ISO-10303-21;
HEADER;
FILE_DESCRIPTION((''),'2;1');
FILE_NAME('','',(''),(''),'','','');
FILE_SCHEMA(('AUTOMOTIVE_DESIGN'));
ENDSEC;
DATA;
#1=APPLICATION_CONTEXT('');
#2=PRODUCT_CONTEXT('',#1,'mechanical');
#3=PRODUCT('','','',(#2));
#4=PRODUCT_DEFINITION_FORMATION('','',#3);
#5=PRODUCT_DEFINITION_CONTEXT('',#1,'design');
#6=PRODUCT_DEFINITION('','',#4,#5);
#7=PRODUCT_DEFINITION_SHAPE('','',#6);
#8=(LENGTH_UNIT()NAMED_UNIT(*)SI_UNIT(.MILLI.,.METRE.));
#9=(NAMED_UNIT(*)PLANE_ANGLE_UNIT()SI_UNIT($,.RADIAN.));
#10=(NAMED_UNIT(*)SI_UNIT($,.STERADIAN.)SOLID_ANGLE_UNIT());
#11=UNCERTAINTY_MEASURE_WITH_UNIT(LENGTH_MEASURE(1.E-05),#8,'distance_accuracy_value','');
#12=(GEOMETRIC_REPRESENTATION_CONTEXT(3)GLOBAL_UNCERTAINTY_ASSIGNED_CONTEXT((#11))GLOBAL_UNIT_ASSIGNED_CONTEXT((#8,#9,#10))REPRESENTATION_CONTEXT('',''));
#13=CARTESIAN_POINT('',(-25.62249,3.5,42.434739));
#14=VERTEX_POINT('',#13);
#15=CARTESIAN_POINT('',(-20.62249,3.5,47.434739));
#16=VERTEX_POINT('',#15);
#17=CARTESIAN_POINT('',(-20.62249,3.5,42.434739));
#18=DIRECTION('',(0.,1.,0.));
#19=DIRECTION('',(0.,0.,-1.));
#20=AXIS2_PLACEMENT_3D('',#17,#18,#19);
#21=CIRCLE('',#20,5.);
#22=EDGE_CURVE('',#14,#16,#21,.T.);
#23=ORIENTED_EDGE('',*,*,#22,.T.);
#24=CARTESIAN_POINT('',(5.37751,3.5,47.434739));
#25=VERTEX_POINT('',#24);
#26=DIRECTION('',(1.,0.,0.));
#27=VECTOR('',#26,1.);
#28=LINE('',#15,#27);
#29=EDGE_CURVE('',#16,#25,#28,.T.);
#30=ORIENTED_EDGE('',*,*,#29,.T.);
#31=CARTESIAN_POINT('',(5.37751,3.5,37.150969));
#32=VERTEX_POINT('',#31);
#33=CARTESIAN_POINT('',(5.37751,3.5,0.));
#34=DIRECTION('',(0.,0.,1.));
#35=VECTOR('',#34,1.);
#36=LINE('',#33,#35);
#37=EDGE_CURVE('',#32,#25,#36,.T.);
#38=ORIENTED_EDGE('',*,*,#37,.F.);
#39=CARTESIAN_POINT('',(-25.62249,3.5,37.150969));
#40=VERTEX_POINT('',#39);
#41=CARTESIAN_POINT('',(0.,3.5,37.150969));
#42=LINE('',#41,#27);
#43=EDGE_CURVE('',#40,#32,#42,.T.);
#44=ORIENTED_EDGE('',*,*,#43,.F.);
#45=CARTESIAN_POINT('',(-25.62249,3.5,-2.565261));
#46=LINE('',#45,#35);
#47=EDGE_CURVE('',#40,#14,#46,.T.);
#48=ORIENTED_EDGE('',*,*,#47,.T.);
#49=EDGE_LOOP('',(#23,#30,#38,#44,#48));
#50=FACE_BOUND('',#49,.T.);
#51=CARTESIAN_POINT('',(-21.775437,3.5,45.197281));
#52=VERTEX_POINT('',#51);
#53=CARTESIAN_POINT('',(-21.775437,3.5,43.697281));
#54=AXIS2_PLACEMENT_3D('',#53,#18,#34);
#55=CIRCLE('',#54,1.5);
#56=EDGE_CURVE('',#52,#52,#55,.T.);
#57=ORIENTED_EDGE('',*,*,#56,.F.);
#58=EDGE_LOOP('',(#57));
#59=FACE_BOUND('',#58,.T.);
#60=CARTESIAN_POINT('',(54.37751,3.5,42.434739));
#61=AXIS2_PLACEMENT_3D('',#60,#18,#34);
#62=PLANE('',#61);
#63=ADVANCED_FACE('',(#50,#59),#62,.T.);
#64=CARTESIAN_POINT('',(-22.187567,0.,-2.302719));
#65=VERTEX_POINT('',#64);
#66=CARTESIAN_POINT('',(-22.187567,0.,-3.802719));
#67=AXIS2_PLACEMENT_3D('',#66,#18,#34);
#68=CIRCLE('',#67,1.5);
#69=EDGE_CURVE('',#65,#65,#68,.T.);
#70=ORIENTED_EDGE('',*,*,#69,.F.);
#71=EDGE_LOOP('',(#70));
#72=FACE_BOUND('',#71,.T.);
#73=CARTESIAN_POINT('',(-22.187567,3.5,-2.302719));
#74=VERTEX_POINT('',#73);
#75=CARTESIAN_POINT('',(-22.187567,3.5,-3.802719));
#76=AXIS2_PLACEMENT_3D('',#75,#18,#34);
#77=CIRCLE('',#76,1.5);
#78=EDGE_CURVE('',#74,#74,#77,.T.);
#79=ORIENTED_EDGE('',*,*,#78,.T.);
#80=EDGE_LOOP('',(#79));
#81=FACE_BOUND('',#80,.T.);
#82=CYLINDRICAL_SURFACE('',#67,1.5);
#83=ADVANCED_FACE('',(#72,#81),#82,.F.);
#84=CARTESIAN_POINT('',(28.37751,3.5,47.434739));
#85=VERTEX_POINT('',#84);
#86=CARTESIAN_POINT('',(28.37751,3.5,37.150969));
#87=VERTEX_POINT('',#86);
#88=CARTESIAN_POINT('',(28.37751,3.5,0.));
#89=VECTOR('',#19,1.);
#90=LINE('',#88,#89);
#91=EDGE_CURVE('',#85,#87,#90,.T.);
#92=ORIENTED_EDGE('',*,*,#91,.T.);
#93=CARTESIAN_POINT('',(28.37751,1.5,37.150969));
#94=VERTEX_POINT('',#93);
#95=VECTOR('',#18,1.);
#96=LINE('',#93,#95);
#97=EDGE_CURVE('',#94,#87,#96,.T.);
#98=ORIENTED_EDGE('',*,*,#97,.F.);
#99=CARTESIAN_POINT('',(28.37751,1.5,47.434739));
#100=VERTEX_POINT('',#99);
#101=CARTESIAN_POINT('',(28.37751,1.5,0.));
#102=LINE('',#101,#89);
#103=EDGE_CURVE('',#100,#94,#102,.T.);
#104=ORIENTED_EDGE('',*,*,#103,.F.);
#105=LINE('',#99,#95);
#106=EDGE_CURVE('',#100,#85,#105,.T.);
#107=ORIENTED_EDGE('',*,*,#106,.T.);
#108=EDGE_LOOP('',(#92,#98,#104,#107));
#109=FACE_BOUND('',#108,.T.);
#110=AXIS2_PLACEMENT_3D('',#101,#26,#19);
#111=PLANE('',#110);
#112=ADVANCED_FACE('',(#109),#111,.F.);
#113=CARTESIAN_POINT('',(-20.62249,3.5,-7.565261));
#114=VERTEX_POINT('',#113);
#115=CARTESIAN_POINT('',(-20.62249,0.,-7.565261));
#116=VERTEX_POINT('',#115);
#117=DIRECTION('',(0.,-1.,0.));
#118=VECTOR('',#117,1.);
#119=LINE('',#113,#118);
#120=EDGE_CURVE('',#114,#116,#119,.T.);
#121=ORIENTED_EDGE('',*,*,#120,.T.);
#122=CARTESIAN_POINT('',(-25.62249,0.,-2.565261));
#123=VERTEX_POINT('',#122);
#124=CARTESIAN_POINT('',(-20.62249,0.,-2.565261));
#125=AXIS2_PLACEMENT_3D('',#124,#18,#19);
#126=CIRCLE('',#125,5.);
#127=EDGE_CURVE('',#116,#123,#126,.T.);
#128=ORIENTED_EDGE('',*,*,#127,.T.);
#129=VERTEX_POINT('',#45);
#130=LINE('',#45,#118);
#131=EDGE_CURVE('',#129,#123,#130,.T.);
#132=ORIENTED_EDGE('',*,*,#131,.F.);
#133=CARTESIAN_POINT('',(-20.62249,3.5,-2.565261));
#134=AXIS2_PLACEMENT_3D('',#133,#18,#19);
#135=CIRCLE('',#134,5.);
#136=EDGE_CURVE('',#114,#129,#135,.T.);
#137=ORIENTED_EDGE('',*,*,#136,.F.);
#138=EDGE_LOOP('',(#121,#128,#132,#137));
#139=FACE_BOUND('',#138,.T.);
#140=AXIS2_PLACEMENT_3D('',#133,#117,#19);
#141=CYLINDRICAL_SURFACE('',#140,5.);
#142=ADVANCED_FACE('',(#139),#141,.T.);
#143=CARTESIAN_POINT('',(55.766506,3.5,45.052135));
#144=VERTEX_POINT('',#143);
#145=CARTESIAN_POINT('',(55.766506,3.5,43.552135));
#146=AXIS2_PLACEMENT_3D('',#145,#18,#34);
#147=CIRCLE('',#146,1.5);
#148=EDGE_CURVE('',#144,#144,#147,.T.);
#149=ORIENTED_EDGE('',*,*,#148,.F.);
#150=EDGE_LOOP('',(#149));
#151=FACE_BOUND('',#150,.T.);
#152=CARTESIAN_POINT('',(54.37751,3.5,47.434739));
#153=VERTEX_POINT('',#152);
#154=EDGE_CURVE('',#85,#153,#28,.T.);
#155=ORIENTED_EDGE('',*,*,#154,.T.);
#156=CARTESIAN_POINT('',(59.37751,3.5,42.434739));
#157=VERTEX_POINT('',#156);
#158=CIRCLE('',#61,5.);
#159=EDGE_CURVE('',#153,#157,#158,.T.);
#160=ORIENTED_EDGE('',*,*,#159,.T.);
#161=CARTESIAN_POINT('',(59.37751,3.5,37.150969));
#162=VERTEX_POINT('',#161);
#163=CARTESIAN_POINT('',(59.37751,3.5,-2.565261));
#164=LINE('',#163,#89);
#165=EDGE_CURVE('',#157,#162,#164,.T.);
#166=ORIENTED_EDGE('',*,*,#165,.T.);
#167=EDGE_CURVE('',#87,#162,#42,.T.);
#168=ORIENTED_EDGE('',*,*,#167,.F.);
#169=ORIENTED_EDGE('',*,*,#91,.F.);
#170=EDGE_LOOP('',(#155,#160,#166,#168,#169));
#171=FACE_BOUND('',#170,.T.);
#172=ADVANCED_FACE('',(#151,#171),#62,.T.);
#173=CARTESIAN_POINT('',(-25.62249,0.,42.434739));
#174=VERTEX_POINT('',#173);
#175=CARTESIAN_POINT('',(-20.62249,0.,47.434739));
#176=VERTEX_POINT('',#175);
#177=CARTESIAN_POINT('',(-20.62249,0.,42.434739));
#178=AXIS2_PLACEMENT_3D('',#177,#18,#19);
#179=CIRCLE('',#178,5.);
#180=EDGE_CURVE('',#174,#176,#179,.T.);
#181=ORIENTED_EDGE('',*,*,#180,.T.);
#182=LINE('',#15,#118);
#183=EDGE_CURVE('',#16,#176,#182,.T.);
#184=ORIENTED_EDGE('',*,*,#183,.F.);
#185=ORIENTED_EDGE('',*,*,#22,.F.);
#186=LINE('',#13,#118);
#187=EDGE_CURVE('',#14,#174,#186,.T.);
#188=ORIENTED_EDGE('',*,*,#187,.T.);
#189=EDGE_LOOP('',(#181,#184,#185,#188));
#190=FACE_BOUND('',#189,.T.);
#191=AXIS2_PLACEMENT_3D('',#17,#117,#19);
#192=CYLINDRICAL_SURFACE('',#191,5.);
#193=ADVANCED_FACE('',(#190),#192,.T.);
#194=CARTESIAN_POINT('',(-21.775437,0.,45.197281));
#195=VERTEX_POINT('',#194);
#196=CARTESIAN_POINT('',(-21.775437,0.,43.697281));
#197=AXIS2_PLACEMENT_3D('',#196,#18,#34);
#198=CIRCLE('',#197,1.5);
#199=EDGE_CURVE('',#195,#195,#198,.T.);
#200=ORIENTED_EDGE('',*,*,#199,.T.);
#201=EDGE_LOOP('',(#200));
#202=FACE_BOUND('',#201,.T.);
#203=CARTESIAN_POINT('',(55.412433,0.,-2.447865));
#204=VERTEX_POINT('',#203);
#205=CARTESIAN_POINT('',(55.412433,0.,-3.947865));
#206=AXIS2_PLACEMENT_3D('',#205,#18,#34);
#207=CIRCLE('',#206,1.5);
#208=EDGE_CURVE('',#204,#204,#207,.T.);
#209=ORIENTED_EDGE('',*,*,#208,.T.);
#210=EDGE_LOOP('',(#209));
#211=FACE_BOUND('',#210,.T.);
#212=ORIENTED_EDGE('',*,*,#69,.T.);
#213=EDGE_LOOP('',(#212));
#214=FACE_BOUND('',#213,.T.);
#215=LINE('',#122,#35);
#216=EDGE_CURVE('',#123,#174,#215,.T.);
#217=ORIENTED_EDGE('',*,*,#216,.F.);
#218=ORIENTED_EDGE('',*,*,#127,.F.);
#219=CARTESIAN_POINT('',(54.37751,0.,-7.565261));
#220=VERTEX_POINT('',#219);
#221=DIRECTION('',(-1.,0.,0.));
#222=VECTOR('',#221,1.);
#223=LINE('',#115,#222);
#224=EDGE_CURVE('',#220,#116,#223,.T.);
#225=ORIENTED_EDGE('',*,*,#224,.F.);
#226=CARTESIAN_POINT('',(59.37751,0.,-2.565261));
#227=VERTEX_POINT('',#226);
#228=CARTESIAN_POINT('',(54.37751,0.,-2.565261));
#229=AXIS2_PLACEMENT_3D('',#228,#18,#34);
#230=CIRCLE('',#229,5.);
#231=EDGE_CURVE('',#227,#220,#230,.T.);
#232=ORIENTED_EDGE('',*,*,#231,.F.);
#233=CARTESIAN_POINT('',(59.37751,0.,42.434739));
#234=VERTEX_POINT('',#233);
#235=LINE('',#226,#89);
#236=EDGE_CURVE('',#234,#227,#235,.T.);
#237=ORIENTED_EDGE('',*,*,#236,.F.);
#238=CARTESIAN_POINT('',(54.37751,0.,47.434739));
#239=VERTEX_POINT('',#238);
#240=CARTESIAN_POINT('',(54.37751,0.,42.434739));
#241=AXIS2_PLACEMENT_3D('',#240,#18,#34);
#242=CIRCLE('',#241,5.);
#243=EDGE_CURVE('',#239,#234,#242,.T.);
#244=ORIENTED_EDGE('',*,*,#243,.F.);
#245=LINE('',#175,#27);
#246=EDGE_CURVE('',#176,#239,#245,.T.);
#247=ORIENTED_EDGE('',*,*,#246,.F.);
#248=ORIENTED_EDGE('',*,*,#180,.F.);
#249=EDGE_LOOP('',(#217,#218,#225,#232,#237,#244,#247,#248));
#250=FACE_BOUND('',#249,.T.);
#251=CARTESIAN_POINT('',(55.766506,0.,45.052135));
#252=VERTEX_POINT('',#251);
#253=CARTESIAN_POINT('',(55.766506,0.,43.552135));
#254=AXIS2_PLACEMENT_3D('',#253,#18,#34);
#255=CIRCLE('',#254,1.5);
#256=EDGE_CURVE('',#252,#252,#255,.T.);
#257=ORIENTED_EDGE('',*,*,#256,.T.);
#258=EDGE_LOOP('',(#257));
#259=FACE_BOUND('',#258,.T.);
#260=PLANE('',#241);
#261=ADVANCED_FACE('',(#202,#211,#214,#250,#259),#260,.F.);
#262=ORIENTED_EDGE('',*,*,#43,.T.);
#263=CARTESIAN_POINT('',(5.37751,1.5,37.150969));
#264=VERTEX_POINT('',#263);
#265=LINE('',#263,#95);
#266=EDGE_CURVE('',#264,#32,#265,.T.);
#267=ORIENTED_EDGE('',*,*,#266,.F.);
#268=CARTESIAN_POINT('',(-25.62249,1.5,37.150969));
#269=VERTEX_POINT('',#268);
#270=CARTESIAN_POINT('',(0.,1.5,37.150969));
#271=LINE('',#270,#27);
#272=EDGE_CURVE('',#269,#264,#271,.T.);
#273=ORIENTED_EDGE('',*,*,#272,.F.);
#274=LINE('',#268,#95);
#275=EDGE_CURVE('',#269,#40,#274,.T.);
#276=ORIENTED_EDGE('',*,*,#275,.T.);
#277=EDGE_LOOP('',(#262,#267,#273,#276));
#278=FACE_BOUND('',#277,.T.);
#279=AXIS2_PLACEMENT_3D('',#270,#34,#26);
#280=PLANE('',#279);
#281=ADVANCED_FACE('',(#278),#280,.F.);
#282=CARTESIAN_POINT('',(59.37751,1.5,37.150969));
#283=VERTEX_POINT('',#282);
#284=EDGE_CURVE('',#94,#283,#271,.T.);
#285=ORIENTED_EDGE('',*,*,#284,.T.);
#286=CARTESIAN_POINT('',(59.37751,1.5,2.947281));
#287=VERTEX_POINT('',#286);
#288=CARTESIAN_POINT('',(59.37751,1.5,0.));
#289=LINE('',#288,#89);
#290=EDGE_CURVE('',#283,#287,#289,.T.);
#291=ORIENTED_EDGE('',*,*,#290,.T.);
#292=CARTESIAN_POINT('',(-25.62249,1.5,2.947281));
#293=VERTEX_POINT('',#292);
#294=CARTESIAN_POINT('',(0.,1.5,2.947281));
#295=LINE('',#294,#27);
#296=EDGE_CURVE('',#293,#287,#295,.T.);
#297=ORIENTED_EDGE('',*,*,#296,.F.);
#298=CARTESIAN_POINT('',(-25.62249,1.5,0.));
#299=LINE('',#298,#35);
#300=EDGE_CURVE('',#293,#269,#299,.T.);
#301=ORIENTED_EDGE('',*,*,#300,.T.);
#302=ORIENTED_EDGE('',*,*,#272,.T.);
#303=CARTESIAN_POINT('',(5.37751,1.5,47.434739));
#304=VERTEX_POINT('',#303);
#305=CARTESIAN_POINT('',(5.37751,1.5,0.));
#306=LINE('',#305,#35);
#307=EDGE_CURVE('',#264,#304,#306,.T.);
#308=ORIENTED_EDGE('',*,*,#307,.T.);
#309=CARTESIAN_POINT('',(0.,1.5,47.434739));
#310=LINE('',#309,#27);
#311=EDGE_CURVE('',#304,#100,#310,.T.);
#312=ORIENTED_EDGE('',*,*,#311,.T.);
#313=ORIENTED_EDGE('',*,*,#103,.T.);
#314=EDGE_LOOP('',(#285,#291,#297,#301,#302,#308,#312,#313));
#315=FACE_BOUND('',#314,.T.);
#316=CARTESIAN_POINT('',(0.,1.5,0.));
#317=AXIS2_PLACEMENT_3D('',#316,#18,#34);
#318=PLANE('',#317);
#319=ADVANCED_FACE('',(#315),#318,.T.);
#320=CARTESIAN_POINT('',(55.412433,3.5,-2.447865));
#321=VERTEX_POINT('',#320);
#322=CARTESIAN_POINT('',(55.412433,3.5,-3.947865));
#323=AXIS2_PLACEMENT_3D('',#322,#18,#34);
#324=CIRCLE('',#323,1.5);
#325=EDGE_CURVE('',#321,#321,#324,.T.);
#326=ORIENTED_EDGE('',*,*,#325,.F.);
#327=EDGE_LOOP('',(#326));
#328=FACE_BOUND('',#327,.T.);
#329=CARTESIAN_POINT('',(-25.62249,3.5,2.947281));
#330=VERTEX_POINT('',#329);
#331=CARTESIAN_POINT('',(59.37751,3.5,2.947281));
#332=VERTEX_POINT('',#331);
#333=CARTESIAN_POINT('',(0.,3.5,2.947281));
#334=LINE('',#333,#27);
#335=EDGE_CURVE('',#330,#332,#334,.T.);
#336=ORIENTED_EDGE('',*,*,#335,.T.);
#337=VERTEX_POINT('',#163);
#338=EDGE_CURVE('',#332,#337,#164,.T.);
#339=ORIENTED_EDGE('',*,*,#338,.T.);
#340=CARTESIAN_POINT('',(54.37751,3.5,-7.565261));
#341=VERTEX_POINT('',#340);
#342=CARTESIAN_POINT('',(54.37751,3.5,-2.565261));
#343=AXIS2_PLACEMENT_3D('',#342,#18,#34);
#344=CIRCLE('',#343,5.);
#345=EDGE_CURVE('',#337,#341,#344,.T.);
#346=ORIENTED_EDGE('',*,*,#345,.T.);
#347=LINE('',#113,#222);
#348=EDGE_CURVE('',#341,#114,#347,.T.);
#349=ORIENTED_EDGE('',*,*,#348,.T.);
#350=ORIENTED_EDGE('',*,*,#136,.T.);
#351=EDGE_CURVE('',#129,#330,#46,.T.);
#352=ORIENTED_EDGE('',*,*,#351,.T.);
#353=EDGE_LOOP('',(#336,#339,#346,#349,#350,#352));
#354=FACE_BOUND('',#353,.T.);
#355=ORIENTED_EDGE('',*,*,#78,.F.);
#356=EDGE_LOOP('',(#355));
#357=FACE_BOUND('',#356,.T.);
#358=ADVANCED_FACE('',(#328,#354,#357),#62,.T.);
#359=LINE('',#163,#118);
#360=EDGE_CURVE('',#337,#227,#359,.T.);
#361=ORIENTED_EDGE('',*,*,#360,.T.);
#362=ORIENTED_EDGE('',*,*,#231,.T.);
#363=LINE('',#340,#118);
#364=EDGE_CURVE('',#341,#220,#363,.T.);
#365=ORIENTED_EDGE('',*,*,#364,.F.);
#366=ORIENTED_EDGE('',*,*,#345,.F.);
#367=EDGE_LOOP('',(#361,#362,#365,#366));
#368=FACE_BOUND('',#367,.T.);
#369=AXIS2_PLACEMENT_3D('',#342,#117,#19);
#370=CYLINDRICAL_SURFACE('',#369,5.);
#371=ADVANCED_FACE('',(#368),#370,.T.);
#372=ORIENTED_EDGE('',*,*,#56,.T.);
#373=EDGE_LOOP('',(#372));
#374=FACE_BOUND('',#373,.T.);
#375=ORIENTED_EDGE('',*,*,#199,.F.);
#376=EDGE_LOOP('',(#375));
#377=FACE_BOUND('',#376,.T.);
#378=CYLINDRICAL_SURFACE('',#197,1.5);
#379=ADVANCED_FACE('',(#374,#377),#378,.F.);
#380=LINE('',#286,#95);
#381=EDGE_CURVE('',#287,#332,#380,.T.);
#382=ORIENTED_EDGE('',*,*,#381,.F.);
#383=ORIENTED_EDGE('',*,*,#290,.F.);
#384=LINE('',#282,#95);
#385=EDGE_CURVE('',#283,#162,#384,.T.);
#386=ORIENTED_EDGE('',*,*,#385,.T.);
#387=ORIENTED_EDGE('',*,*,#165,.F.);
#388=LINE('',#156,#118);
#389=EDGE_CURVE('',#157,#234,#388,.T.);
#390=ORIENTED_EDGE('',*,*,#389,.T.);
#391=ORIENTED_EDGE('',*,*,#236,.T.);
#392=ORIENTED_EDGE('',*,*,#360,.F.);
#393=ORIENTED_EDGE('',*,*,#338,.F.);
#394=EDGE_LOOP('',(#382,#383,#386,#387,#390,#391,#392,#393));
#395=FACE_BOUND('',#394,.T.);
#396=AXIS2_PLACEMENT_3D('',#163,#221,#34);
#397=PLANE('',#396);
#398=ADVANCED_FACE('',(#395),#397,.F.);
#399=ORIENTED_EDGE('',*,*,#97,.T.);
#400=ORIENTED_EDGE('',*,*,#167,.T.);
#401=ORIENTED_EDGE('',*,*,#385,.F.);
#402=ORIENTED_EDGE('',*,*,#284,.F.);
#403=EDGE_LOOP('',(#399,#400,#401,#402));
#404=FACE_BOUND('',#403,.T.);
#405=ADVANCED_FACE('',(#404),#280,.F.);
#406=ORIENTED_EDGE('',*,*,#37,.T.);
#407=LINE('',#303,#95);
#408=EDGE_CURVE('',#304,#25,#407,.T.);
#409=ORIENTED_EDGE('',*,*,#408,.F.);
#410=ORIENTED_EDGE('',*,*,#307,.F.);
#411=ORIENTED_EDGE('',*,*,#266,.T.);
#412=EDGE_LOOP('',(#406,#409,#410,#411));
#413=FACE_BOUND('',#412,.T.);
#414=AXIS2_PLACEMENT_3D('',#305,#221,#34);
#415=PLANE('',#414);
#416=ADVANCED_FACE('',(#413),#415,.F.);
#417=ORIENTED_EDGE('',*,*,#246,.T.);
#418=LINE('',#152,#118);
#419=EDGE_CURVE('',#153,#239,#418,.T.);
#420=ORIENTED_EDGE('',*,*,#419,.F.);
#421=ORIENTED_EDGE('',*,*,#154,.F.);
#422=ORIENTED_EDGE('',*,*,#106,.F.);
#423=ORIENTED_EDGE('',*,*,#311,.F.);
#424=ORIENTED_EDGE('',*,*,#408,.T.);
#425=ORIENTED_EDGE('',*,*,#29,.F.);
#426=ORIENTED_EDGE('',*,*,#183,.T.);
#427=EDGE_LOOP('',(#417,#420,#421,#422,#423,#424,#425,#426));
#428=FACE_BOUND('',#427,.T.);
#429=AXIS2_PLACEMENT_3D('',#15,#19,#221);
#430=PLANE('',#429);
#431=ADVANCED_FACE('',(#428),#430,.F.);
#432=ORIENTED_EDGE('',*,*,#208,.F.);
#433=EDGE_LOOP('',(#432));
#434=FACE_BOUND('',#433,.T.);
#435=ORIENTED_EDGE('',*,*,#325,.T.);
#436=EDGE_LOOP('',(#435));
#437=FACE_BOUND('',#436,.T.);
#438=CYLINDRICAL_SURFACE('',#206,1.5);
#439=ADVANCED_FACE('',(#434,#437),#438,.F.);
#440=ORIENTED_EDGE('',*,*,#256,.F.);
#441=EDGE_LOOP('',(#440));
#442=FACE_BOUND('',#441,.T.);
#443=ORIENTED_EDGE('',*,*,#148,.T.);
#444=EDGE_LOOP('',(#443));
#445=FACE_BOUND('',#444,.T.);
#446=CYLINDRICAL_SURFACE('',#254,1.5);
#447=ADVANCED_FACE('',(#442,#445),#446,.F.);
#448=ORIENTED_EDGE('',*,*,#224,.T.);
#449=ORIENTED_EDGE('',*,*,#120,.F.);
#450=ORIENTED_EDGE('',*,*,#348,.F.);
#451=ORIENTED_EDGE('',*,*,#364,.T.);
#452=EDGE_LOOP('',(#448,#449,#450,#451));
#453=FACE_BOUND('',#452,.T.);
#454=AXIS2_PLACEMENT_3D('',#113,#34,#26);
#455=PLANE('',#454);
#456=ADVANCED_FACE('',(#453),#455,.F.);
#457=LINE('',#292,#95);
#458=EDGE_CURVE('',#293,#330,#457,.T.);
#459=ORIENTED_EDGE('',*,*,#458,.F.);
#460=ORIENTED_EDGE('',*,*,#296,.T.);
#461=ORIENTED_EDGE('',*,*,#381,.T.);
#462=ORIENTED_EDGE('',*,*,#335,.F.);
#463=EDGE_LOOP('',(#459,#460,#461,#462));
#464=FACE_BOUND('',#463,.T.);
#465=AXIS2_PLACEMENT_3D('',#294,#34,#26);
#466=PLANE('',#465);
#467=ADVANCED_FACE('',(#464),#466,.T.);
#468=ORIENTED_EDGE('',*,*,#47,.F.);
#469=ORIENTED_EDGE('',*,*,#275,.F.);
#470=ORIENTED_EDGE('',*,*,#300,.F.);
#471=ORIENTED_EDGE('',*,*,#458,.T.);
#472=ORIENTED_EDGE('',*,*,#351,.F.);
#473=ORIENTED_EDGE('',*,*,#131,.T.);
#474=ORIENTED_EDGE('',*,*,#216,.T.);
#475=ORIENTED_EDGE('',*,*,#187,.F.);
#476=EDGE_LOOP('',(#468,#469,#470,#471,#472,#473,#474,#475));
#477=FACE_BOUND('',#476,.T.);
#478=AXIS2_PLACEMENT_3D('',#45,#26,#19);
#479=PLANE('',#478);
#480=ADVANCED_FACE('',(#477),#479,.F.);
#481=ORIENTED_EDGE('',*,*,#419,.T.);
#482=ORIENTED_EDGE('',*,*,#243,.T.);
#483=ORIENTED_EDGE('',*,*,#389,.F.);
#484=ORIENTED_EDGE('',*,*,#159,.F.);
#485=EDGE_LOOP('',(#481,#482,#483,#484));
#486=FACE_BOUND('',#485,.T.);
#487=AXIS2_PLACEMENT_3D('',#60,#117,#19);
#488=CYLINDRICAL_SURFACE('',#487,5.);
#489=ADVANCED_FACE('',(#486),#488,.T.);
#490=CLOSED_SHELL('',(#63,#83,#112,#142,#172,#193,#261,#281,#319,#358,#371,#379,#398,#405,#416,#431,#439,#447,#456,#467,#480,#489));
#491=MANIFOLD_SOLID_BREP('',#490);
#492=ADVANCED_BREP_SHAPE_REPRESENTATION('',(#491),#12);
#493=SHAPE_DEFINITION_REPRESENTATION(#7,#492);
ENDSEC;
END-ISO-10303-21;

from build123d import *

# Parameters (mm, degrees)
BOSS_EXTRUDE1_DEPTH = 3.5
SKETCH2_R           = 1.5
CUT_EXTRUDE1_DEPTH  = 3.5
SKETCH3_W           = 23
SKETCH3_H           = 10.283770076
CUT_EXTRUDE2_DEPTH  = 2


with BuildPart() as part:
    # Sketch1 → Boss-Extrude1 (new body)
    with BuildSketch(Plane(origin=(0, 0, 0), x_dir=(1, 0, 0), z_dir=(0, 1, 0))):
        with BuildLine():
            Line((-20.62248996, 7.565261044), (54.37751004, 7.565261044))
            ThreePointArc((54.37751004, 7.565261044), (57.913043946, 6.10079495), (59.37751004, 2.565261044))
            Line((59.37751004, 2.565261044), (59.37751004, -42.434738956))
            ThreePointArc((59.37751004, -42.434738956), (57.913043946, -45.970272862), (54.37751004, -47.434738956))
            Line((54.37751004, -47.434738956), (-20.62248996, -47.434738956))
            ThreePointArc((-20.62248996, -47.434738956), (-24.158023866, -45.970272862), (-25.62248996, -42.434738956))
            Line((-25.62248996, -42.434738956), (-25.62248996, 2.565261044))
            ThreePointArc((-25.62248996, 2.565261044), (-24.158023866, 6.10079495), (-20.62248996, 7.565261044))
        make_face()
    extrude(amount=BOSS_EXTRUDE1_DEPTH)

    # Sketch2 → Cut-Extrude1 (cut)
    with BuildSketch(Plane(origin=(0, 3.5, 0), x_dir=(1, 0, 0), z_dir=(0, 1, 0))):
        with Locations((-22.187566987, 3.802718615)):
            Circle(SKETCH2_R)
        with Locations((55.412433013, 3.947865339)):
            Circle(SKETCH2_R)
        with Locations((55.766505812, -43.552134661)):
            Circle(SKETCH2_R)
        with Locations((-21.775437199, -43.697281385)):
            Circle(SKETCH2_R)
    extrude(amount=-CUT_EXTRUDE1_DEPTH, mode=Mode.SUBTRACT)

    # Sketch3 → Cut-Extrude2 (cut)
    with BuildSketch(Plane(origin=(0, 3.5, 0), x_dir=(1, 0, 0), z_dir=(0, 1, 0))):
        with Locations((16.87751004, -42.292853918)):
            Rectangle(SKETCH3_W, SKETCH3_H)
        Polygon((59.37751004, -2.947281385), (-25.62248996, -2.947281385), (-25.62248996, -37.15096888), (5.37751004, -37.15096888), (28.37751004, -37.15096888), (59.37751004, -37.15096888), align=None)
    extrude(amount=-CUT_EXTRUDE2_DEPTH, mode=Mode.SUBTRACT)


solid = part.part
